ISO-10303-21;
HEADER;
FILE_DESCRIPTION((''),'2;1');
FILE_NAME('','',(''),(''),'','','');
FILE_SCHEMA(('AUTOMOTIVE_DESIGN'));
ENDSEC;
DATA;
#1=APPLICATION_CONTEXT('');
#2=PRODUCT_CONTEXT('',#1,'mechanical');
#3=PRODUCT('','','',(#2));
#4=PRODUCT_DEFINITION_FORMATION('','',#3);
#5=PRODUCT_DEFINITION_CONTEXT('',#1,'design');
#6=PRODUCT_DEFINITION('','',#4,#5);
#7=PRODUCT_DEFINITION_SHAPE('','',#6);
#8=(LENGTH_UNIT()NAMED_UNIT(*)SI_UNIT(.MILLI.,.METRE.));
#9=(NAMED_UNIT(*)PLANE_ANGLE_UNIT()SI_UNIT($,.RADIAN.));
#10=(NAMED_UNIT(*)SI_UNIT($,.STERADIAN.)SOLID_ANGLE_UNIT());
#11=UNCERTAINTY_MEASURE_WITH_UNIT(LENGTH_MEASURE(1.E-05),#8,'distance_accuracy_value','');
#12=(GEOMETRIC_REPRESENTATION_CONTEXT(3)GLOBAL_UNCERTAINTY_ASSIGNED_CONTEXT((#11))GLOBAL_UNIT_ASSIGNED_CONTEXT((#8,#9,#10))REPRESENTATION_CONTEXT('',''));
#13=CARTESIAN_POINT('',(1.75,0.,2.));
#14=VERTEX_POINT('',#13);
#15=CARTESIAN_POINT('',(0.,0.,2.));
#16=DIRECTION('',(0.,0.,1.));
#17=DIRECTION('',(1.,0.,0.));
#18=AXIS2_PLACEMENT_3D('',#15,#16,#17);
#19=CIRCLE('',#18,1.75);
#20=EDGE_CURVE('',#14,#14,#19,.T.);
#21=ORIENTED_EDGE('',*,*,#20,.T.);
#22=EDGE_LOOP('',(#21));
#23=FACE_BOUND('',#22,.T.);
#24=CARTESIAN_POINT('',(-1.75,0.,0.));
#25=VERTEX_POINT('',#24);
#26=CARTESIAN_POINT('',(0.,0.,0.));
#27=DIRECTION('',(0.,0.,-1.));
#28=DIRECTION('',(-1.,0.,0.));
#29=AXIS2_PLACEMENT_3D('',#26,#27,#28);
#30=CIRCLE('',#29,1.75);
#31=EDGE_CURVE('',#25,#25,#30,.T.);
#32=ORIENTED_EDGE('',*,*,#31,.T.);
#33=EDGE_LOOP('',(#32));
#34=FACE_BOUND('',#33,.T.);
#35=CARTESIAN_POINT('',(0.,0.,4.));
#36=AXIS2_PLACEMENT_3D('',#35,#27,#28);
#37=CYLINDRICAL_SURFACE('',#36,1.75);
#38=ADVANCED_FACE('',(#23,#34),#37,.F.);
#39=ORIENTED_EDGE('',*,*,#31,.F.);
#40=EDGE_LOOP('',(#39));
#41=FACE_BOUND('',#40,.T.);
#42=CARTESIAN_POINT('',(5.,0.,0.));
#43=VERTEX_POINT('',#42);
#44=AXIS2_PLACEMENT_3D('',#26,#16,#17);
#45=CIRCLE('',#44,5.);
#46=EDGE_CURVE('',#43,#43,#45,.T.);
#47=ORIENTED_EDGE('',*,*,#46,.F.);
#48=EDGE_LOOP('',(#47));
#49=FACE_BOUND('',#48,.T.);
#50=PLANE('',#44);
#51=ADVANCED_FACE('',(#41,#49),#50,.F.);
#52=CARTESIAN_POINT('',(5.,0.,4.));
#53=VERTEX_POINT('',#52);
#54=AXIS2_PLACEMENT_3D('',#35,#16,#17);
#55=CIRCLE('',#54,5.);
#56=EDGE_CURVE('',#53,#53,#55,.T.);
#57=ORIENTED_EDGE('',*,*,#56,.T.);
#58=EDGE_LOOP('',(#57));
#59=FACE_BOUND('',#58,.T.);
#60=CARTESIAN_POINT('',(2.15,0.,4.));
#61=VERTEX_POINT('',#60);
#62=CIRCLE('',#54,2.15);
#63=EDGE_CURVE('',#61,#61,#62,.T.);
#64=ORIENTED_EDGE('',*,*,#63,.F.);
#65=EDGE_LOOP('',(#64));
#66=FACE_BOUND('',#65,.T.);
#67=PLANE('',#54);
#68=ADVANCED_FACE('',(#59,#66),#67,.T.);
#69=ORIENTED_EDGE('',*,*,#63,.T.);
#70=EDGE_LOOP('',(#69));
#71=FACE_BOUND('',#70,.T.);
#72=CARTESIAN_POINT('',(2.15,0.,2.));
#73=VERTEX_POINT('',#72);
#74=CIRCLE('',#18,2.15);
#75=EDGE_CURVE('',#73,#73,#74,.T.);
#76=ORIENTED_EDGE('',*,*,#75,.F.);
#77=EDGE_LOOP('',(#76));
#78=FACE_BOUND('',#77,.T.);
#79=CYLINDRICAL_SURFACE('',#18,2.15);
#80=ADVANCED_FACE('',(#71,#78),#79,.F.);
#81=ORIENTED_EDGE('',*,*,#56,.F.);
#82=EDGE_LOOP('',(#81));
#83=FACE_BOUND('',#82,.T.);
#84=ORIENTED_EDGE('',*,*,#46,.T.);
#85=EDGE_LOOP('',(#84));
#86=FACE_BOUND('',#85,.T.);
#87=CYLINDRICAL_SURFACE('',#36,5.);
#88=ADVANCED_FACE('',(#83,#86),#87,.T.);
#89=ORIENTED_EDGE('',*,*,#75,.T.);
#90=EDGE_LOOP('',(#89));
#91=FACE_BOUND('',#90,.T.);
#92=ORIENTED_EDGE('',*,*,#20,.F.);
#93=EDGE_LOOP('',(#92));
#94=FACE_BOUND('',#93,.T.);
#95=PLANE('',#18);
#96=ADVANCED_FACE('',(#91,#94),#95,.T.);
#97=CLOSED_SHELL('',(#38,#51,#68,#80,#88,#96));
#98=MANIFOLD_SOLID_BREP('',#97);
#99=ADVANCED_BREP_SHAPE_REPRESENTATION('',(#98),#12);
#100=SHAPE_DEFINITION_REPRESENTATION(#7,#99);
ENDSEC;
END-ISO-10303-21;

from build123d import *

# Parameters (mm, degrees)
ESQUISSE1_R             = 5
BOSS_EXTRU_1_DEPTH      = 4
ESQUISSE2_R             = 2.15
ENL_V_MAT_EXTRU_1_DEPTH = 2
ESQUISSE3_R             = 1.75
ENL_V_MAT_EXTRU_2_DEPTH = 9.124038405


with BuildPart() as part:
    # Esquisse1 → Boss.-Extru.1 (new body)
    with BuildSketch(Plane.XY):
        Circle(ESQUISSE1_R)
    extrude(amount=BOSS_EXTRU_1_DEPTH)

    # Esquisse2 → Enlèv. mat.-Extru.1 (cut)
    with BuildSketch(Plane.XY.offset(4)):
        Circle(ESQUISSE2_R)
    extrude(amount=-ENL_V_MAT_EXTRU_1_DEPTH, mode=Mode.SUBTRACT)

    # Esquisse3 → Enlèv. mat.-Extru.2 (cut, through all)
    with BuildSketch(Plane(origin=(0, 0, 0), x_dir=(-1, 0, 0), z_dir=(0, 0, -1))):
        Circle(ESQUISSE3_R)
    extrude(amount=-ENL_V_MAT_EXTRU_2_DEPTH, mode=Mode.SUBTRACT)


solid = part.part
